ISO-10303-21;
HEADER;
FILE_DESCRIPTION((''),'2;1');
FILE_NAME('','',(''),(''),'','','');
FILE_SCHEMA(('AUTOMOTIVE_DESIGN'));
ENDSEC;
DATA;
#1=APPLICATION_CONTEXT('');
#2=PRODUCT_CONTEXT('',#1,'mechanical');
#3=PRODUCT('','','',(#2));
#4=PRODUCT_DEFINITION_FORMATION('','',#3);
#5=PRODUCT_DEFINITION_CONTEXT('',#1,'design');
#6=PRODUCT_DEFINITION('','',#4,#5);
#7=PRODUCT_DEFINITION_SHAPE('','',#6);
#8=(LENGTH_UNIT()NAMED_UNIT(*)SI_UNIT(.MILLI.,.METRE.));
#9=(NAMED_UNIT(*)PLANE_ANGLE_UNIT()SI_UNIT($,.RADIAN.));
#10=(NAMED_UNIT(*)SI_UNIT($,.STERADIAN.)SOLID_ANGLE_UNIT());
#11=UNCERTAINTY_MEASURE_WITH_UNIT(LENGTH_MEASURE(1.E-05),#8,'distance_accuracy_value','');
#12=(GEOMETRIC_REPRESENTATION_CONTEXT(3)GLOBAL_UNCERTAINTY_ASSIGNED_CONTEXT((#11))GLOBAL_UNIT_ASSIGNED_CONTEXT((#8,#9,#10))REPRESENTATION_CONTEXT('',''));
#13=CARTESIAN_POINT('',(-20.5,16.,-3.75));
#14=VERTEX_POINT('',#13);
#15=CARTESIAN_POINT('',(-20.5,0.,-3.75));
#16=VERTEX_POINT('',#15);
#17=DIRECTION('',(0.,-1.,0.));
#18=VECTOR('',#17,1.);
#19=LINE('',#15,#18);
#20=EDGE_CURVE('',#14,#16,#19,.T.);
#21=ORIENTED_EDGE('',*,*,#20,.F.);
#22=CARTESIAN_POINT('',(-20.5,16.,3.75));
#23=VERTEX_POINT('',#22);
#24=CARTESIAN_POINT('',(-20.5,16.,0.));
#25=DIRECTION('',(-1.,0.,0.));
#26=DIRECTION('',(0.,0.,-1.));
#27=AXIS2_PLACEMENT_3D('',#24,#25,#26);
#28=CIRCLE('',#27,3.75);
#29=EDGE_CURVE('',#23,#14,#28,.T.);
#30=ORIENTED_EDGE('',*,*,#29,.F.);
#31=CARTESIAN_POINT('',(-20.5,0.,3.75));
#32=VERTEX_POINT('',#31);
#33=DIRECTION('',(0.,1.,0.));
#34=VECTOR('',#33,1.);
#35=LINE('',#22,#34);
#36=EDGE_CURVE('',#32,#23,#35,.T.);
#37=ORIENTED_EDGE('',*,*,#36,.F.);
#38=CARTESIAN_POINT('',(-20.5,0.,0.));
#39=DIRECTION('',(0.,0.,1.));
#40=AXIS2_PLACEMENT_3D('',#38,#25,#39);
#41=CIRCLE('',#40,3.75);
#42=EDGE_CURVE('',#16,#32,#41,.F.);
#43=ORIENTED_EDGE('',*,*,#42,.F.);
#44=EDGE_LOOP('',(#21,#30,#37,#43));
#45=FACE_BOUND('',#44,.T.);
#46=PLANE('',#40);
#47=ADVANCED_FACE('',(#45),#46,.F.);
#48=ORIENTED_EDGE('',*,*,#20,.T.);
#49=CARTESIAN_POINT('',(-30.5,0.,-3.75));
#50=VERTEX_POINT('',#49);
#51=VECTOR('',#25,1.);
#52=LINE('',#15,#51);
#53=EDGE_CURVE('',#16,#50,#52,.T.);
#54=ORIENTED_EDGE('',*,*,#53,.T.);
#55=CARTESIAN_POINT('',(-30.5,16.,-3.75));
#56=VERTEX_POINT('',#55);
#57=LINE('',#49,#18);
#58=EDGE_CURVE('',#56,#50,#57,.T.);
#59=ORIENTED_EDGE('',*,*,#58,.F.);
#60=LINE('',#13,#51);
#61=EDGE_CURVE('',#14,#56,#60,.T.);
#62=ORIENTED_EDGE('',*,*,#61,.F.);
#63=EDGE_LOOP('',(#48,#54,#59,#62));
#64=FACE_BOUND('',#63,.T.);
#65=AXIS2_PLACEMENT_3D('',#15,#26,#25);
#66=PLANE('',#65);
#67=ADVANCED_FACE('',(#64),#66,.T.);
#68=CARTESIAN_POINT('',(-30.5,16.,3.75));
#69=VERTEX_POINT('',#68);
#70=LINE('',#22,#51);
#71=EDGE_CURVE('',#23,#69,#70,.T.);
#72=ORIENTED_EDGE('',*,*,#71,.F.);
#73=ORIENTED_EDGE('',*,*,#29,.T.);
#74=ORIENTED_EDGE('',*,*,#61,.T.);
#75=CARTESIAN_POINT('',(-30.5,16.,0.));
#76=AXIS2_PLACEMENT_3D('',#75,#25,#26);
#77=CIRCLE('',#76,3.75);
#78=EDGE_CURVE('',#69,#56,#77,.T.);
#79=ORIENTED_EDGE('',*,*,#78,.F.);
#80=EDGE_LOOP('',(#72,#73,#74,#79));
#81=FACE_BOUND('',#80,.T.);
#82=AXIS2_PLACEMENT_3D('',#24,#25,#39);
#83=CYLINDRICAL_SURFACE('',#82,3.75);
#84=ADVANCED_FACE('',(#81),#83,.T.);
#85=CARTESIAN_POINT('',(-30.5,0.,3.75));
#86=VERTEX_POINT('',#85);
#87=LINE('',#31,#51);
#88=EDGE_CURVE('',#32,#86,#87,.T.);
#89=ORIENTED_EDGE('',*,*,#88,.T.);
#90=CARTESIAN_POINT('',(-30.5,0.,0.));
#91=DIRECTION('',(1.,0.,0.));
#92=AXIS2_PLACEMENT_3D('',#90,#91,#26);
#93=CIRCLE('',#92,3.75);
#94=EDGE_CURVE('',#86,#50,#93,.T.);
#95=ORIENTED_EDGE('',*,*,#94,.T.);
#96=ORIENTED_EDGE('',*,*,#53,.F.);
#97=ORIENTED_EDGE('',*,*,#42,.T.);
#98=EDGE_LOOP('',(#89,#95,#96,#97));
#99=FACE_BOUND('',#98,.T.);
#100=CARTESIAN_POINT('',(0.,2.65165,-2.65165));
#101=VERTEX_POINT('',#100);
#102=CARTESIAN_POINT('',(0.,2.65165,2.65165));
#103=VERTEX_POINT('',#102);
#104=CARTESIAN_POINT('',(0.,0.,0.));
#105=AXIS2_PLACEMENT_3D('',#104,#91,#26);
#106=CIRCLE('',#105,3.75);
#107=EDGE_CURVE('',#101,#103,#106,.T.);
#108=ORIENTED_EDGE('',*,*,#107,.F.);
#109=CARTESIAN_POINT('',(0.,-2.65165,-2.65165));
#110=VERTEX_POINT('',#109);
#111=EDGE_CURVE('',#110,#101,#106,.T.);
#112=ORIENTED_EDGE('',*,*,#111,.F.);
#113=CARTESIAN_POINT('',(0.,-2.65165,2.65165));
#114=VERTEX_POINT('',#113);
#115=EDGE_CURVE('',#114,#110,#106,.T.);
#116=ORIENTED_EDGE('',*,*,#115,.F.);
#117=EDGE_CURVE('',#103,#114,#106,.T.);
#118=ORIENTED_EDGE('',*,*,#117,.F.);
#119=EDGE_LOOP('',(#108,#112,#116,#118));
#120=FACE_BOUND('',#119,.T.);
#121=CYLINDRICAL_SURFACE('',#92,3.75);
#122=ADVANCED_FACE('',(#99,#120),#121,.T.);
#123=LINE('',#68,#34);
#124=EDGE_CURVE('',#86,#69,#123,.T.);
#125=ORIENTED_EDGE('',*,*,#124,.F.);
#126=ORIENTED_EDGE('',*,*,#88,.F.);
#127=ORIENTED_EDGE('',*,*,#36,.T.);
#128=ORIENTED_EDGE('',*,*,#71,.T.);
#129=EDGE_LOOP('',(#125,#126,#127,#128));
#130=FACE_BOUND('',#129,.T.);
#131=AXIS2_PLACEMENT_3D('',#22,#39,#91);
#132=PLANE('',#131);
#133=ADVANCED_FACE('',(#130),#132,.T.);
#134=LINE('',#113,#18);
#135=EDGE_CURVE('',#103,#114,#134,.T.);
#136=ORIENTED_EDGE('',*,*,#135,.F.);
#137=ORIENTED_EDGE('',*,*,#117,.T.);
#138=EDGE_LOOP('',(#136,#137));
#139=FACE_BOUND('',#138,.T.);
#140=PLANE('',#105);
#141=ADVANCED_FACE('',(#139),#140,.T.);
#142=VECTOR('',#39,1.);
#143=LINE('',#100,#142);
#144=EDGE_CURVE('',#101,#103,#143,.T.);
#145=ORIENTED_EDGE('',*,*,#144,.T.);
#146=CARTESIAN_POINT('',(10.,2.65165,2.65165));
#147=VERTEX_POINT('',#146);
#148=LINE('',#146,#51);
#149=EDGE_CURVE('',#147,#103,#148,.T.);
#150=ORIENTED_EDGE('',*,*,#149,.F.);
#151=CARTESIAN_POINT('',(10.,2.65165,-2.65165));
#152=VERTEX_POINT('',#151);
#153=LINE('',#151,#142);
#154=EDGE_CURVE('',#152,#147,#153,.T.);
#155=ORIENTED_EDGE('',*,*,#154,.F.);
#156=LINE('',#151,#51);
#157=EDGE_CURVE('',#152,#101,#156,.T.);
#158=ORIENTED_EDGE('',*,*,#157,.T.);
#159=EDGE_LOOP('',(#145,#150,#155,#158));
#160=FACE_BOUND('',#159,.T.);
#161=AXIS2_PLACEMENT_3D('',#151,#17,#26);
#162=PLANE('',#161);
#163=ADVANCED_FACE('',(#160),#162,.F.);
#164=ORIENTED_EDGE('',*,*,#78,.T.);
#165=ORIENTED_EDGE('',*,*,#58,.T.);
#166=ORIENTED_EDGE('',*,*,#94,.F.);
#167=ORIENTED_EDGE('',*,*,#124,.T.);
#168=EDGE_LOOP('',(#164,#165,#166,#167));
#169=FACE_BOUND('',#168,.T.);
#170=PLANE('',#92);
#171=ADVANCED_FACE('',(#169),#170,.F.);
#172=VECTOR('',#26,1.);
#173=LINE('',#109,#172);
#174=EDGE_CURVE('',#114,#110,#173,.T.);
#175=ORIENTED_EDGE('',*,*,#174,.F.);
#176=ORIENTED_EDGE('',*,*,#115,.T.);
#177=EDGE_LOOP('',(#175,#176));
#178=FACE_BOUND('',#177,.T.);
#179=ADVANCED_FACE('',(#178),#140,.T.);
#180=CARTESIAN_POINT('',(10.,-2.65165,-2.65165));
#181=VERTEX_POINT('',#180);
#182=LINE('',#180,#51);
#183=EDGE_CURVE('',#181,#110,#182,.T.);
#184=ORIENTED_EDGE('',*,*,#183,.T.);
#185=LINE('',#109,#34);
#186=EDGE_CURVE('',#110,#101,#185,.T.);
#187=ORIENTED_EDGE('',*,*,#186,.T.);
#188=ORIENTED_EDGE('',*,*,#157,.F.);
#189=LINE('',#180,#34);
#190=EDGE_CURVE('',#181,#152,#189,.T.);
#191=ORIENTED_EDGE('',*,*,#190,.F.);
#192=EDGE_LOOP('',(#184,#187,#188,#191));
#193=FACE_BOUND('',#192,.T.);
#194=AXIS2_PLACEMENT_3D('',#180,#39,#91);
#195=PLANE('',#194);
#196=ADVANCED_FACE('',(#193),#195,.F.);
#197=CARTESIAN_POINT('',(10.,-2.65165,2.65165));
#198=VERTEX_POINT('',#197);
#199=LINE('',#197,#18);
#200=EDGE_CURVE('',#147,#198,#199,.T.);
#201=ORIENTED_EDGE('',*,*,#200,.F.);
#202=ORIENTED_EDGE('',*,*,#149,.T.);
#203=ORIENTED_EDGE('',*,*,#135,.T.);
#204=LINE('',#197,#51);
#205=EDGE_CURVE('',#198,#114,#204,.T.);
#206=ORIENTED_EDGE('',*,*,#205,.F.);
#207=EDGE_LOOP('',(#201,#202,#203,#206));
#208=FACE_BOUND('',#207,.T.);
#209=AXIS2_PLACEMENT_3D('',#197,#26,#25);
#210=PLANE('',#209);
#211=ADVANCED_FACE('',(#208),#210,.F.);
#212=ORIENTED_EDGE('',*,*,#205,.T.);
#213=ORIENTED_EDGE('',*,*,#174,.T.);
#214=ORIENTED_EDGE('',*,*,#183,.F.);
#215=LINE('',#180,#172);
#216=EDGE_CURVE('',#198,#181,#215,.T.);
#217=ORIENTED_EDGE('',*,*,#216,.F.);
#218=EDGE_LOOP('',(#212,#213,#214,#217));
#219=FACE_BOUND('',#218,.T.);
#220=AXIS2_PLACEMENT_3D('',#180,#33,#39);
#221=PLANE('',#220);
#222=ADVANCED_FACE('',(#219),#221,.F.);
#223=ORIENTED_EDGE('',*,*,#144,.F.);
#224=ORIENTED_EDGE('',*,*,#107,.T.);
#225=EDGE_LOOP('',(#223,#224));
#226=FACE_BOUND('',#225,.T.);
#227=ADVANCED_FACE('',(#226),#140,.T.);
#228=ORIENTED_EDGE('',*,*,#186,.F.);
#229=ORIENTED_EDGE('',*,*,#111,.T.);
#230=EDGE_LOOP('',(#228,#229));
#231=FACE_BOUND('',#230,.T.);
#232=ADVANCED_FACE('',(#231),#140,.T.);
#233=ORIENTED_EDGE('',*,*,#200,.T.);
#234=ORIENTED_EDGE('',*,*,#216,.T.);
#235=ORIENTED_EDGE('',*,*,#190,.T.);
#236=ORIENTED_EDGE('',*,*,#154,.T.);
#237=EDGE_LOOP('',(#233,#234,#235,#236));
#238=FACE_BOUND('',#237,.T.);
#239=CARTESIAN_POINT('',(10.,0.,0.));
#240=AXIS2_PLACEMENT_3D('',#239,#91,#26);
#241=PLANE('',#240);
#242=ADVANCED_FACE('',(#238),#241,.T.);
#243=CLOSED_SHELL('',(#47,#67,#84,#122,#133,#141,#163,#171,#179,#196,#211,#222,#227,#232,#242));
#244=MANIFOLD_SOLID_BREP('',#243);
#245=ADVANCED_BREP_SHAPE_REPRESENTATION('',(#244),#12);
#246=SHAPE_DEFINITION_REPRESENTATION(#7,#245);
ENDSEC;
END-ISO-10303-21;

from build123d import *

# Parameters (mm, degrees)
SKETCH1_R           = 3.75
BOSS_EXTRUDE1_DEPTH = 30.5
SKETCH2_W           = 5.303300858
SKETCH2_H           = 5.303300858
BOSS_EXTRUDE2_DEPTH = 10
BOSS_EXTRUDE3_START = -10
BOSS_EXTRUDE3_DEPTH = 10


with BuildPart() as part:
    # Sketch1 → Boss-Extrude1 (new body)
    with BuildSketch(Plane(origin=(0, 0, 0), x_dir=(0, 0, -1), z_dir=(1, 0, 0))):
        Circle(SKETCH1_R)
    extrude(amount=-BOSS_EXTRUDE1_DEPTH)

    # Sketch2 → Boss-Extrude2 (add)
    with BuildSketch(Plane(origin=(0, 0, 0), x_dir=(0, 0, -1), z_dir=(1, 0, 0))):
        Rectangle(SKETCH2_W, SKETCH2_H)
    extrude(amount=BOSS_EXTRUDE2_DEPTH)

    # Sketch3 → Boss-Extrude3 (add)
    with BuildSketch(Plane.ZY.offset(30.5).offset(BOSS_EXTRUDE3_START)):
        with BuildLine():
            Line((-3.75, 0), (-3.75, 16))
            ThreePointArc((-3.75, 16), (0, 19.75), (3.75, 16))
            Line((3.75, 16), (3.75, 0))
            ThreePointArc((3.75, 0), (0, -3.75), (-3.75, 0))
        make_face()
    extrude(amount=BOSS_EXTRUDE3_DEPTH)


solid = part.part
